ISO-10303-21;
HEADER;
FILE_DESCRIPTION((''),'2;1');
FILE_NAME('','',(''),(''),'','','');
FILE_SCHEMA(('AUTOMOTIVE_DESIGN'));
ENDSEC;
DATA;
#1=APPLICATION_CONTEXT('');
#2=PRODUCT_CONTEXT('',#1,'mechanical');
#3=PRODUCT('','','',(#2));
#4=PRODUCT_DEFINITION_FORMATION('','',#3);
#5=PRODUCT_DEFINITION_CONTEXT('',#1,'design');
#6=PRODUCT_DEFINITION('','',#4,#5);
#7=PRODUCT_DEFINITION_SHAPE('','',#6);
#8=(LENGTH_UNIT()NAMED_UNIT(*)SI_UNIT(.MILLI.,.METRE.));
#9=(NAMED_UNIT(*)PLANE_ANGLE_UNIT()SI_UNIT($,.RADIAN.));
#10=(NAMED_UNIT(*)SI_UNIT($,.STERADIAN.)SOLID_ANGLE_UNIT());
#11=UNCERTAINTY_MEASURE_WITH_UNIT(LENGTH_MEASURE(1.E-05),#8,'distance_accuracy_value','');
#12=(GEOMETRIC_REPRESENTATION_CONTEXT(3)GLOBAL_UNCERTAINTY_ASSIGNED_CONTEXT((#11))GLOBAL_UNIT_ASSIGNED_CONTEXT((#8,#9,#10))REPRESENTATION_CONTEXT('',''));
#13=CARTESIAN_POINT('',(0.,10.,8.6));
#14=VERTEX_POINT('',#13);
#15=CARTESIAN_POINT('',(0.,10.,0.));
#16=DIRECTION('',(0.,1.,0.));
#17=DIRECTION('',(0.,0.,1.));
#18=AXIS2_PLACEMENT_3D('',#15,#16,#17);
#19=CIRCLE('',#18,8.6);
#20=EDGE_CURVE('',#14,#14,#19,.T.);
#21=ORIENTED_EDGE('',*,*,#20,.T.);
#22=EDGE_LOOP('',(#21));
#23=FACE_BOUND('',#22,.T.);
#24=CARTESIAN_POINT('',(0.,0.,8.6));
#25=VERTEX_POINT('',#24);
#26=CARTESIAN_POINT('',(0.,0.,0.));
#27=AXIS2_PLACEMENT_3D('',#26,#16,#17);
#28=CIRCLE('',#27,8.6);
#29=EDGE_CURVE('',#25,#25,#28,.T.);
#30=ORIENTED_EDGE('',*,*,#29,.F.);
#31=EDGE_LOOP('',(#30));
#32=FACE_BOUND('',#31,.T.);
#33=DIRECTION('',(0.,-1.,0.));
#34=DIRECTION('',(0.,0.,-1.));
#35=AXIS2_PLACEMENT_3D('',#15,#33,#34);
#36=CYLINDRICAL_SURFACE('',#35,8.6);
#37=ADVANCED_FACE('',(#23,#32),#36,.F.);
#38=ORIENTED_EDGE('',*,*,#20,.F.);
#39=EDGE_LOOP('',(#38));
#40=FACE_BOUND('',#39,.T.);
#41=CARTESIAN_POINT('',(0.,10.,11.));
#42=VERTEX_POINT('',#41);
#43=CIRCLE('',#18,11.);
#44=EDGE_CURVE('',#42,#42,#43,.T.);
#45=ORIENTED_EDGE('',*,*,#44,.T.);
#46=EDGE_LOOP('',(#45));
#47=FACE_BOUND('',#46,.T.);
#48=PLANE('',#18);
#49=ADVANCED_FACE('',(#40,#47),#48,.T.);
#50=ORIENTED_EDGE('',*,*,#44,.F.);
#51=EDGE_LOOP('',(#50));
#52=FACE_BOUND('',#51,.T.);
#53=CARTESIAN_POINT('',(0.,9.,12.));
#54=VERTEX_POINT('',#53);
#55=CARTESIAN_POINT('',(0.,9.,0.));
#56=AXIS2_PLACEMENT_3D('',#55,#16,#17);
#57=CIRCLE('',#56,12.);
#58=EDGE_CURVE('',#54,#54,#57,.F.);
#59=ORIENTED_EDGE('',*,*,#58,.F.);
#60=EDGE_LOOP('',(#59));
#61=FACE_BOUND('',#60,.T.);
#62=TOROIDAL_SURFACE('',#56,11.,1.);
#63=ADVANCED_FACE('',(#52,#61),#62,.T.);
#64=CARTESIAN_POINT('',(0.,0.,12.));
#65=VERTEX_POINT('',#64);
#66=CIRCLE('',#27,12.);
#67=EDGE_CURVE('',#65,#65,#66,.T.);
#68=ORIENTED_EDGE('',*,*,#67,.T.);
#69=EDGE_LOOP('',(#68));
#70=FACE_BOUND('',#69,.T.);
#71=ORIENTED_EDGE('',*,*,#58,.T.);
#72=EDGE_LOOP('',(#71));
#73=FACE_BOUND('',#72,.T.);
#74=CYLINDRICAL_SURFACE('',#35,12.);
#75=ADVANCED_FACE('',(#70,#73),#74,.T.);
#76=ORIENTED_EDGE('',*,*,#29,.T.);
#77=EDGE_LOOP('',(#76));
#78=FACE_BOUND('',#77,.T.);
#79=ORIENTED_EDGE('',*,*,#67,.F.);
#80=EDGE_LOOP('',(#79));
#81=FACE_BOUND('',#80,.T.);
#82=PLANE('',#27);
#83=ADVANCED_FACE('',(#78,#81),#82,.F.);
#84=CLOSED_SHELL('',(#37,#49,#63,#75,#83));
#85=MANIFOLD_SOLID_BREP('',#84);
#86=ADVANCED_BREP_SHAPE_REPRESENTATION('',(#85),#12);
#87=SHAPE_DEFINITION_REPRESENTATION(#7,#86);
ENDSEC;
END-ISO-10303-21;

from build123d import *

# Parameters (mm, degrees)
SKETCH_1_R      = 12
SKETCH_1_R_2    = 8.6
EXTRUDE_1_DEPTH = 10
FILLET_1_R      = 1


with BuildPart() as part:
    # 草图1 → 凸台-拉伸1 (new body)
    with BuildSketch(Plane(origin=(0, 0, 0), x_dir=(1, 0, 0), z_dir=(0, 1, 0))):
        Circle(SKETCH_1_R)
        Circle(SKETCH_1_R_2, mode=Mode.SUBTRACT)
    extrude(amount=EXTRUDE_1_DEPTH)

    # 圆角1
    fillet_1_edges = [part.edges().sort_by_distance(p)[0] for p in [
        (-12, 10, 0),
    ]]
    fillet(fillet_1_edges, radius=FILLET_1_R)


solid = part.part
